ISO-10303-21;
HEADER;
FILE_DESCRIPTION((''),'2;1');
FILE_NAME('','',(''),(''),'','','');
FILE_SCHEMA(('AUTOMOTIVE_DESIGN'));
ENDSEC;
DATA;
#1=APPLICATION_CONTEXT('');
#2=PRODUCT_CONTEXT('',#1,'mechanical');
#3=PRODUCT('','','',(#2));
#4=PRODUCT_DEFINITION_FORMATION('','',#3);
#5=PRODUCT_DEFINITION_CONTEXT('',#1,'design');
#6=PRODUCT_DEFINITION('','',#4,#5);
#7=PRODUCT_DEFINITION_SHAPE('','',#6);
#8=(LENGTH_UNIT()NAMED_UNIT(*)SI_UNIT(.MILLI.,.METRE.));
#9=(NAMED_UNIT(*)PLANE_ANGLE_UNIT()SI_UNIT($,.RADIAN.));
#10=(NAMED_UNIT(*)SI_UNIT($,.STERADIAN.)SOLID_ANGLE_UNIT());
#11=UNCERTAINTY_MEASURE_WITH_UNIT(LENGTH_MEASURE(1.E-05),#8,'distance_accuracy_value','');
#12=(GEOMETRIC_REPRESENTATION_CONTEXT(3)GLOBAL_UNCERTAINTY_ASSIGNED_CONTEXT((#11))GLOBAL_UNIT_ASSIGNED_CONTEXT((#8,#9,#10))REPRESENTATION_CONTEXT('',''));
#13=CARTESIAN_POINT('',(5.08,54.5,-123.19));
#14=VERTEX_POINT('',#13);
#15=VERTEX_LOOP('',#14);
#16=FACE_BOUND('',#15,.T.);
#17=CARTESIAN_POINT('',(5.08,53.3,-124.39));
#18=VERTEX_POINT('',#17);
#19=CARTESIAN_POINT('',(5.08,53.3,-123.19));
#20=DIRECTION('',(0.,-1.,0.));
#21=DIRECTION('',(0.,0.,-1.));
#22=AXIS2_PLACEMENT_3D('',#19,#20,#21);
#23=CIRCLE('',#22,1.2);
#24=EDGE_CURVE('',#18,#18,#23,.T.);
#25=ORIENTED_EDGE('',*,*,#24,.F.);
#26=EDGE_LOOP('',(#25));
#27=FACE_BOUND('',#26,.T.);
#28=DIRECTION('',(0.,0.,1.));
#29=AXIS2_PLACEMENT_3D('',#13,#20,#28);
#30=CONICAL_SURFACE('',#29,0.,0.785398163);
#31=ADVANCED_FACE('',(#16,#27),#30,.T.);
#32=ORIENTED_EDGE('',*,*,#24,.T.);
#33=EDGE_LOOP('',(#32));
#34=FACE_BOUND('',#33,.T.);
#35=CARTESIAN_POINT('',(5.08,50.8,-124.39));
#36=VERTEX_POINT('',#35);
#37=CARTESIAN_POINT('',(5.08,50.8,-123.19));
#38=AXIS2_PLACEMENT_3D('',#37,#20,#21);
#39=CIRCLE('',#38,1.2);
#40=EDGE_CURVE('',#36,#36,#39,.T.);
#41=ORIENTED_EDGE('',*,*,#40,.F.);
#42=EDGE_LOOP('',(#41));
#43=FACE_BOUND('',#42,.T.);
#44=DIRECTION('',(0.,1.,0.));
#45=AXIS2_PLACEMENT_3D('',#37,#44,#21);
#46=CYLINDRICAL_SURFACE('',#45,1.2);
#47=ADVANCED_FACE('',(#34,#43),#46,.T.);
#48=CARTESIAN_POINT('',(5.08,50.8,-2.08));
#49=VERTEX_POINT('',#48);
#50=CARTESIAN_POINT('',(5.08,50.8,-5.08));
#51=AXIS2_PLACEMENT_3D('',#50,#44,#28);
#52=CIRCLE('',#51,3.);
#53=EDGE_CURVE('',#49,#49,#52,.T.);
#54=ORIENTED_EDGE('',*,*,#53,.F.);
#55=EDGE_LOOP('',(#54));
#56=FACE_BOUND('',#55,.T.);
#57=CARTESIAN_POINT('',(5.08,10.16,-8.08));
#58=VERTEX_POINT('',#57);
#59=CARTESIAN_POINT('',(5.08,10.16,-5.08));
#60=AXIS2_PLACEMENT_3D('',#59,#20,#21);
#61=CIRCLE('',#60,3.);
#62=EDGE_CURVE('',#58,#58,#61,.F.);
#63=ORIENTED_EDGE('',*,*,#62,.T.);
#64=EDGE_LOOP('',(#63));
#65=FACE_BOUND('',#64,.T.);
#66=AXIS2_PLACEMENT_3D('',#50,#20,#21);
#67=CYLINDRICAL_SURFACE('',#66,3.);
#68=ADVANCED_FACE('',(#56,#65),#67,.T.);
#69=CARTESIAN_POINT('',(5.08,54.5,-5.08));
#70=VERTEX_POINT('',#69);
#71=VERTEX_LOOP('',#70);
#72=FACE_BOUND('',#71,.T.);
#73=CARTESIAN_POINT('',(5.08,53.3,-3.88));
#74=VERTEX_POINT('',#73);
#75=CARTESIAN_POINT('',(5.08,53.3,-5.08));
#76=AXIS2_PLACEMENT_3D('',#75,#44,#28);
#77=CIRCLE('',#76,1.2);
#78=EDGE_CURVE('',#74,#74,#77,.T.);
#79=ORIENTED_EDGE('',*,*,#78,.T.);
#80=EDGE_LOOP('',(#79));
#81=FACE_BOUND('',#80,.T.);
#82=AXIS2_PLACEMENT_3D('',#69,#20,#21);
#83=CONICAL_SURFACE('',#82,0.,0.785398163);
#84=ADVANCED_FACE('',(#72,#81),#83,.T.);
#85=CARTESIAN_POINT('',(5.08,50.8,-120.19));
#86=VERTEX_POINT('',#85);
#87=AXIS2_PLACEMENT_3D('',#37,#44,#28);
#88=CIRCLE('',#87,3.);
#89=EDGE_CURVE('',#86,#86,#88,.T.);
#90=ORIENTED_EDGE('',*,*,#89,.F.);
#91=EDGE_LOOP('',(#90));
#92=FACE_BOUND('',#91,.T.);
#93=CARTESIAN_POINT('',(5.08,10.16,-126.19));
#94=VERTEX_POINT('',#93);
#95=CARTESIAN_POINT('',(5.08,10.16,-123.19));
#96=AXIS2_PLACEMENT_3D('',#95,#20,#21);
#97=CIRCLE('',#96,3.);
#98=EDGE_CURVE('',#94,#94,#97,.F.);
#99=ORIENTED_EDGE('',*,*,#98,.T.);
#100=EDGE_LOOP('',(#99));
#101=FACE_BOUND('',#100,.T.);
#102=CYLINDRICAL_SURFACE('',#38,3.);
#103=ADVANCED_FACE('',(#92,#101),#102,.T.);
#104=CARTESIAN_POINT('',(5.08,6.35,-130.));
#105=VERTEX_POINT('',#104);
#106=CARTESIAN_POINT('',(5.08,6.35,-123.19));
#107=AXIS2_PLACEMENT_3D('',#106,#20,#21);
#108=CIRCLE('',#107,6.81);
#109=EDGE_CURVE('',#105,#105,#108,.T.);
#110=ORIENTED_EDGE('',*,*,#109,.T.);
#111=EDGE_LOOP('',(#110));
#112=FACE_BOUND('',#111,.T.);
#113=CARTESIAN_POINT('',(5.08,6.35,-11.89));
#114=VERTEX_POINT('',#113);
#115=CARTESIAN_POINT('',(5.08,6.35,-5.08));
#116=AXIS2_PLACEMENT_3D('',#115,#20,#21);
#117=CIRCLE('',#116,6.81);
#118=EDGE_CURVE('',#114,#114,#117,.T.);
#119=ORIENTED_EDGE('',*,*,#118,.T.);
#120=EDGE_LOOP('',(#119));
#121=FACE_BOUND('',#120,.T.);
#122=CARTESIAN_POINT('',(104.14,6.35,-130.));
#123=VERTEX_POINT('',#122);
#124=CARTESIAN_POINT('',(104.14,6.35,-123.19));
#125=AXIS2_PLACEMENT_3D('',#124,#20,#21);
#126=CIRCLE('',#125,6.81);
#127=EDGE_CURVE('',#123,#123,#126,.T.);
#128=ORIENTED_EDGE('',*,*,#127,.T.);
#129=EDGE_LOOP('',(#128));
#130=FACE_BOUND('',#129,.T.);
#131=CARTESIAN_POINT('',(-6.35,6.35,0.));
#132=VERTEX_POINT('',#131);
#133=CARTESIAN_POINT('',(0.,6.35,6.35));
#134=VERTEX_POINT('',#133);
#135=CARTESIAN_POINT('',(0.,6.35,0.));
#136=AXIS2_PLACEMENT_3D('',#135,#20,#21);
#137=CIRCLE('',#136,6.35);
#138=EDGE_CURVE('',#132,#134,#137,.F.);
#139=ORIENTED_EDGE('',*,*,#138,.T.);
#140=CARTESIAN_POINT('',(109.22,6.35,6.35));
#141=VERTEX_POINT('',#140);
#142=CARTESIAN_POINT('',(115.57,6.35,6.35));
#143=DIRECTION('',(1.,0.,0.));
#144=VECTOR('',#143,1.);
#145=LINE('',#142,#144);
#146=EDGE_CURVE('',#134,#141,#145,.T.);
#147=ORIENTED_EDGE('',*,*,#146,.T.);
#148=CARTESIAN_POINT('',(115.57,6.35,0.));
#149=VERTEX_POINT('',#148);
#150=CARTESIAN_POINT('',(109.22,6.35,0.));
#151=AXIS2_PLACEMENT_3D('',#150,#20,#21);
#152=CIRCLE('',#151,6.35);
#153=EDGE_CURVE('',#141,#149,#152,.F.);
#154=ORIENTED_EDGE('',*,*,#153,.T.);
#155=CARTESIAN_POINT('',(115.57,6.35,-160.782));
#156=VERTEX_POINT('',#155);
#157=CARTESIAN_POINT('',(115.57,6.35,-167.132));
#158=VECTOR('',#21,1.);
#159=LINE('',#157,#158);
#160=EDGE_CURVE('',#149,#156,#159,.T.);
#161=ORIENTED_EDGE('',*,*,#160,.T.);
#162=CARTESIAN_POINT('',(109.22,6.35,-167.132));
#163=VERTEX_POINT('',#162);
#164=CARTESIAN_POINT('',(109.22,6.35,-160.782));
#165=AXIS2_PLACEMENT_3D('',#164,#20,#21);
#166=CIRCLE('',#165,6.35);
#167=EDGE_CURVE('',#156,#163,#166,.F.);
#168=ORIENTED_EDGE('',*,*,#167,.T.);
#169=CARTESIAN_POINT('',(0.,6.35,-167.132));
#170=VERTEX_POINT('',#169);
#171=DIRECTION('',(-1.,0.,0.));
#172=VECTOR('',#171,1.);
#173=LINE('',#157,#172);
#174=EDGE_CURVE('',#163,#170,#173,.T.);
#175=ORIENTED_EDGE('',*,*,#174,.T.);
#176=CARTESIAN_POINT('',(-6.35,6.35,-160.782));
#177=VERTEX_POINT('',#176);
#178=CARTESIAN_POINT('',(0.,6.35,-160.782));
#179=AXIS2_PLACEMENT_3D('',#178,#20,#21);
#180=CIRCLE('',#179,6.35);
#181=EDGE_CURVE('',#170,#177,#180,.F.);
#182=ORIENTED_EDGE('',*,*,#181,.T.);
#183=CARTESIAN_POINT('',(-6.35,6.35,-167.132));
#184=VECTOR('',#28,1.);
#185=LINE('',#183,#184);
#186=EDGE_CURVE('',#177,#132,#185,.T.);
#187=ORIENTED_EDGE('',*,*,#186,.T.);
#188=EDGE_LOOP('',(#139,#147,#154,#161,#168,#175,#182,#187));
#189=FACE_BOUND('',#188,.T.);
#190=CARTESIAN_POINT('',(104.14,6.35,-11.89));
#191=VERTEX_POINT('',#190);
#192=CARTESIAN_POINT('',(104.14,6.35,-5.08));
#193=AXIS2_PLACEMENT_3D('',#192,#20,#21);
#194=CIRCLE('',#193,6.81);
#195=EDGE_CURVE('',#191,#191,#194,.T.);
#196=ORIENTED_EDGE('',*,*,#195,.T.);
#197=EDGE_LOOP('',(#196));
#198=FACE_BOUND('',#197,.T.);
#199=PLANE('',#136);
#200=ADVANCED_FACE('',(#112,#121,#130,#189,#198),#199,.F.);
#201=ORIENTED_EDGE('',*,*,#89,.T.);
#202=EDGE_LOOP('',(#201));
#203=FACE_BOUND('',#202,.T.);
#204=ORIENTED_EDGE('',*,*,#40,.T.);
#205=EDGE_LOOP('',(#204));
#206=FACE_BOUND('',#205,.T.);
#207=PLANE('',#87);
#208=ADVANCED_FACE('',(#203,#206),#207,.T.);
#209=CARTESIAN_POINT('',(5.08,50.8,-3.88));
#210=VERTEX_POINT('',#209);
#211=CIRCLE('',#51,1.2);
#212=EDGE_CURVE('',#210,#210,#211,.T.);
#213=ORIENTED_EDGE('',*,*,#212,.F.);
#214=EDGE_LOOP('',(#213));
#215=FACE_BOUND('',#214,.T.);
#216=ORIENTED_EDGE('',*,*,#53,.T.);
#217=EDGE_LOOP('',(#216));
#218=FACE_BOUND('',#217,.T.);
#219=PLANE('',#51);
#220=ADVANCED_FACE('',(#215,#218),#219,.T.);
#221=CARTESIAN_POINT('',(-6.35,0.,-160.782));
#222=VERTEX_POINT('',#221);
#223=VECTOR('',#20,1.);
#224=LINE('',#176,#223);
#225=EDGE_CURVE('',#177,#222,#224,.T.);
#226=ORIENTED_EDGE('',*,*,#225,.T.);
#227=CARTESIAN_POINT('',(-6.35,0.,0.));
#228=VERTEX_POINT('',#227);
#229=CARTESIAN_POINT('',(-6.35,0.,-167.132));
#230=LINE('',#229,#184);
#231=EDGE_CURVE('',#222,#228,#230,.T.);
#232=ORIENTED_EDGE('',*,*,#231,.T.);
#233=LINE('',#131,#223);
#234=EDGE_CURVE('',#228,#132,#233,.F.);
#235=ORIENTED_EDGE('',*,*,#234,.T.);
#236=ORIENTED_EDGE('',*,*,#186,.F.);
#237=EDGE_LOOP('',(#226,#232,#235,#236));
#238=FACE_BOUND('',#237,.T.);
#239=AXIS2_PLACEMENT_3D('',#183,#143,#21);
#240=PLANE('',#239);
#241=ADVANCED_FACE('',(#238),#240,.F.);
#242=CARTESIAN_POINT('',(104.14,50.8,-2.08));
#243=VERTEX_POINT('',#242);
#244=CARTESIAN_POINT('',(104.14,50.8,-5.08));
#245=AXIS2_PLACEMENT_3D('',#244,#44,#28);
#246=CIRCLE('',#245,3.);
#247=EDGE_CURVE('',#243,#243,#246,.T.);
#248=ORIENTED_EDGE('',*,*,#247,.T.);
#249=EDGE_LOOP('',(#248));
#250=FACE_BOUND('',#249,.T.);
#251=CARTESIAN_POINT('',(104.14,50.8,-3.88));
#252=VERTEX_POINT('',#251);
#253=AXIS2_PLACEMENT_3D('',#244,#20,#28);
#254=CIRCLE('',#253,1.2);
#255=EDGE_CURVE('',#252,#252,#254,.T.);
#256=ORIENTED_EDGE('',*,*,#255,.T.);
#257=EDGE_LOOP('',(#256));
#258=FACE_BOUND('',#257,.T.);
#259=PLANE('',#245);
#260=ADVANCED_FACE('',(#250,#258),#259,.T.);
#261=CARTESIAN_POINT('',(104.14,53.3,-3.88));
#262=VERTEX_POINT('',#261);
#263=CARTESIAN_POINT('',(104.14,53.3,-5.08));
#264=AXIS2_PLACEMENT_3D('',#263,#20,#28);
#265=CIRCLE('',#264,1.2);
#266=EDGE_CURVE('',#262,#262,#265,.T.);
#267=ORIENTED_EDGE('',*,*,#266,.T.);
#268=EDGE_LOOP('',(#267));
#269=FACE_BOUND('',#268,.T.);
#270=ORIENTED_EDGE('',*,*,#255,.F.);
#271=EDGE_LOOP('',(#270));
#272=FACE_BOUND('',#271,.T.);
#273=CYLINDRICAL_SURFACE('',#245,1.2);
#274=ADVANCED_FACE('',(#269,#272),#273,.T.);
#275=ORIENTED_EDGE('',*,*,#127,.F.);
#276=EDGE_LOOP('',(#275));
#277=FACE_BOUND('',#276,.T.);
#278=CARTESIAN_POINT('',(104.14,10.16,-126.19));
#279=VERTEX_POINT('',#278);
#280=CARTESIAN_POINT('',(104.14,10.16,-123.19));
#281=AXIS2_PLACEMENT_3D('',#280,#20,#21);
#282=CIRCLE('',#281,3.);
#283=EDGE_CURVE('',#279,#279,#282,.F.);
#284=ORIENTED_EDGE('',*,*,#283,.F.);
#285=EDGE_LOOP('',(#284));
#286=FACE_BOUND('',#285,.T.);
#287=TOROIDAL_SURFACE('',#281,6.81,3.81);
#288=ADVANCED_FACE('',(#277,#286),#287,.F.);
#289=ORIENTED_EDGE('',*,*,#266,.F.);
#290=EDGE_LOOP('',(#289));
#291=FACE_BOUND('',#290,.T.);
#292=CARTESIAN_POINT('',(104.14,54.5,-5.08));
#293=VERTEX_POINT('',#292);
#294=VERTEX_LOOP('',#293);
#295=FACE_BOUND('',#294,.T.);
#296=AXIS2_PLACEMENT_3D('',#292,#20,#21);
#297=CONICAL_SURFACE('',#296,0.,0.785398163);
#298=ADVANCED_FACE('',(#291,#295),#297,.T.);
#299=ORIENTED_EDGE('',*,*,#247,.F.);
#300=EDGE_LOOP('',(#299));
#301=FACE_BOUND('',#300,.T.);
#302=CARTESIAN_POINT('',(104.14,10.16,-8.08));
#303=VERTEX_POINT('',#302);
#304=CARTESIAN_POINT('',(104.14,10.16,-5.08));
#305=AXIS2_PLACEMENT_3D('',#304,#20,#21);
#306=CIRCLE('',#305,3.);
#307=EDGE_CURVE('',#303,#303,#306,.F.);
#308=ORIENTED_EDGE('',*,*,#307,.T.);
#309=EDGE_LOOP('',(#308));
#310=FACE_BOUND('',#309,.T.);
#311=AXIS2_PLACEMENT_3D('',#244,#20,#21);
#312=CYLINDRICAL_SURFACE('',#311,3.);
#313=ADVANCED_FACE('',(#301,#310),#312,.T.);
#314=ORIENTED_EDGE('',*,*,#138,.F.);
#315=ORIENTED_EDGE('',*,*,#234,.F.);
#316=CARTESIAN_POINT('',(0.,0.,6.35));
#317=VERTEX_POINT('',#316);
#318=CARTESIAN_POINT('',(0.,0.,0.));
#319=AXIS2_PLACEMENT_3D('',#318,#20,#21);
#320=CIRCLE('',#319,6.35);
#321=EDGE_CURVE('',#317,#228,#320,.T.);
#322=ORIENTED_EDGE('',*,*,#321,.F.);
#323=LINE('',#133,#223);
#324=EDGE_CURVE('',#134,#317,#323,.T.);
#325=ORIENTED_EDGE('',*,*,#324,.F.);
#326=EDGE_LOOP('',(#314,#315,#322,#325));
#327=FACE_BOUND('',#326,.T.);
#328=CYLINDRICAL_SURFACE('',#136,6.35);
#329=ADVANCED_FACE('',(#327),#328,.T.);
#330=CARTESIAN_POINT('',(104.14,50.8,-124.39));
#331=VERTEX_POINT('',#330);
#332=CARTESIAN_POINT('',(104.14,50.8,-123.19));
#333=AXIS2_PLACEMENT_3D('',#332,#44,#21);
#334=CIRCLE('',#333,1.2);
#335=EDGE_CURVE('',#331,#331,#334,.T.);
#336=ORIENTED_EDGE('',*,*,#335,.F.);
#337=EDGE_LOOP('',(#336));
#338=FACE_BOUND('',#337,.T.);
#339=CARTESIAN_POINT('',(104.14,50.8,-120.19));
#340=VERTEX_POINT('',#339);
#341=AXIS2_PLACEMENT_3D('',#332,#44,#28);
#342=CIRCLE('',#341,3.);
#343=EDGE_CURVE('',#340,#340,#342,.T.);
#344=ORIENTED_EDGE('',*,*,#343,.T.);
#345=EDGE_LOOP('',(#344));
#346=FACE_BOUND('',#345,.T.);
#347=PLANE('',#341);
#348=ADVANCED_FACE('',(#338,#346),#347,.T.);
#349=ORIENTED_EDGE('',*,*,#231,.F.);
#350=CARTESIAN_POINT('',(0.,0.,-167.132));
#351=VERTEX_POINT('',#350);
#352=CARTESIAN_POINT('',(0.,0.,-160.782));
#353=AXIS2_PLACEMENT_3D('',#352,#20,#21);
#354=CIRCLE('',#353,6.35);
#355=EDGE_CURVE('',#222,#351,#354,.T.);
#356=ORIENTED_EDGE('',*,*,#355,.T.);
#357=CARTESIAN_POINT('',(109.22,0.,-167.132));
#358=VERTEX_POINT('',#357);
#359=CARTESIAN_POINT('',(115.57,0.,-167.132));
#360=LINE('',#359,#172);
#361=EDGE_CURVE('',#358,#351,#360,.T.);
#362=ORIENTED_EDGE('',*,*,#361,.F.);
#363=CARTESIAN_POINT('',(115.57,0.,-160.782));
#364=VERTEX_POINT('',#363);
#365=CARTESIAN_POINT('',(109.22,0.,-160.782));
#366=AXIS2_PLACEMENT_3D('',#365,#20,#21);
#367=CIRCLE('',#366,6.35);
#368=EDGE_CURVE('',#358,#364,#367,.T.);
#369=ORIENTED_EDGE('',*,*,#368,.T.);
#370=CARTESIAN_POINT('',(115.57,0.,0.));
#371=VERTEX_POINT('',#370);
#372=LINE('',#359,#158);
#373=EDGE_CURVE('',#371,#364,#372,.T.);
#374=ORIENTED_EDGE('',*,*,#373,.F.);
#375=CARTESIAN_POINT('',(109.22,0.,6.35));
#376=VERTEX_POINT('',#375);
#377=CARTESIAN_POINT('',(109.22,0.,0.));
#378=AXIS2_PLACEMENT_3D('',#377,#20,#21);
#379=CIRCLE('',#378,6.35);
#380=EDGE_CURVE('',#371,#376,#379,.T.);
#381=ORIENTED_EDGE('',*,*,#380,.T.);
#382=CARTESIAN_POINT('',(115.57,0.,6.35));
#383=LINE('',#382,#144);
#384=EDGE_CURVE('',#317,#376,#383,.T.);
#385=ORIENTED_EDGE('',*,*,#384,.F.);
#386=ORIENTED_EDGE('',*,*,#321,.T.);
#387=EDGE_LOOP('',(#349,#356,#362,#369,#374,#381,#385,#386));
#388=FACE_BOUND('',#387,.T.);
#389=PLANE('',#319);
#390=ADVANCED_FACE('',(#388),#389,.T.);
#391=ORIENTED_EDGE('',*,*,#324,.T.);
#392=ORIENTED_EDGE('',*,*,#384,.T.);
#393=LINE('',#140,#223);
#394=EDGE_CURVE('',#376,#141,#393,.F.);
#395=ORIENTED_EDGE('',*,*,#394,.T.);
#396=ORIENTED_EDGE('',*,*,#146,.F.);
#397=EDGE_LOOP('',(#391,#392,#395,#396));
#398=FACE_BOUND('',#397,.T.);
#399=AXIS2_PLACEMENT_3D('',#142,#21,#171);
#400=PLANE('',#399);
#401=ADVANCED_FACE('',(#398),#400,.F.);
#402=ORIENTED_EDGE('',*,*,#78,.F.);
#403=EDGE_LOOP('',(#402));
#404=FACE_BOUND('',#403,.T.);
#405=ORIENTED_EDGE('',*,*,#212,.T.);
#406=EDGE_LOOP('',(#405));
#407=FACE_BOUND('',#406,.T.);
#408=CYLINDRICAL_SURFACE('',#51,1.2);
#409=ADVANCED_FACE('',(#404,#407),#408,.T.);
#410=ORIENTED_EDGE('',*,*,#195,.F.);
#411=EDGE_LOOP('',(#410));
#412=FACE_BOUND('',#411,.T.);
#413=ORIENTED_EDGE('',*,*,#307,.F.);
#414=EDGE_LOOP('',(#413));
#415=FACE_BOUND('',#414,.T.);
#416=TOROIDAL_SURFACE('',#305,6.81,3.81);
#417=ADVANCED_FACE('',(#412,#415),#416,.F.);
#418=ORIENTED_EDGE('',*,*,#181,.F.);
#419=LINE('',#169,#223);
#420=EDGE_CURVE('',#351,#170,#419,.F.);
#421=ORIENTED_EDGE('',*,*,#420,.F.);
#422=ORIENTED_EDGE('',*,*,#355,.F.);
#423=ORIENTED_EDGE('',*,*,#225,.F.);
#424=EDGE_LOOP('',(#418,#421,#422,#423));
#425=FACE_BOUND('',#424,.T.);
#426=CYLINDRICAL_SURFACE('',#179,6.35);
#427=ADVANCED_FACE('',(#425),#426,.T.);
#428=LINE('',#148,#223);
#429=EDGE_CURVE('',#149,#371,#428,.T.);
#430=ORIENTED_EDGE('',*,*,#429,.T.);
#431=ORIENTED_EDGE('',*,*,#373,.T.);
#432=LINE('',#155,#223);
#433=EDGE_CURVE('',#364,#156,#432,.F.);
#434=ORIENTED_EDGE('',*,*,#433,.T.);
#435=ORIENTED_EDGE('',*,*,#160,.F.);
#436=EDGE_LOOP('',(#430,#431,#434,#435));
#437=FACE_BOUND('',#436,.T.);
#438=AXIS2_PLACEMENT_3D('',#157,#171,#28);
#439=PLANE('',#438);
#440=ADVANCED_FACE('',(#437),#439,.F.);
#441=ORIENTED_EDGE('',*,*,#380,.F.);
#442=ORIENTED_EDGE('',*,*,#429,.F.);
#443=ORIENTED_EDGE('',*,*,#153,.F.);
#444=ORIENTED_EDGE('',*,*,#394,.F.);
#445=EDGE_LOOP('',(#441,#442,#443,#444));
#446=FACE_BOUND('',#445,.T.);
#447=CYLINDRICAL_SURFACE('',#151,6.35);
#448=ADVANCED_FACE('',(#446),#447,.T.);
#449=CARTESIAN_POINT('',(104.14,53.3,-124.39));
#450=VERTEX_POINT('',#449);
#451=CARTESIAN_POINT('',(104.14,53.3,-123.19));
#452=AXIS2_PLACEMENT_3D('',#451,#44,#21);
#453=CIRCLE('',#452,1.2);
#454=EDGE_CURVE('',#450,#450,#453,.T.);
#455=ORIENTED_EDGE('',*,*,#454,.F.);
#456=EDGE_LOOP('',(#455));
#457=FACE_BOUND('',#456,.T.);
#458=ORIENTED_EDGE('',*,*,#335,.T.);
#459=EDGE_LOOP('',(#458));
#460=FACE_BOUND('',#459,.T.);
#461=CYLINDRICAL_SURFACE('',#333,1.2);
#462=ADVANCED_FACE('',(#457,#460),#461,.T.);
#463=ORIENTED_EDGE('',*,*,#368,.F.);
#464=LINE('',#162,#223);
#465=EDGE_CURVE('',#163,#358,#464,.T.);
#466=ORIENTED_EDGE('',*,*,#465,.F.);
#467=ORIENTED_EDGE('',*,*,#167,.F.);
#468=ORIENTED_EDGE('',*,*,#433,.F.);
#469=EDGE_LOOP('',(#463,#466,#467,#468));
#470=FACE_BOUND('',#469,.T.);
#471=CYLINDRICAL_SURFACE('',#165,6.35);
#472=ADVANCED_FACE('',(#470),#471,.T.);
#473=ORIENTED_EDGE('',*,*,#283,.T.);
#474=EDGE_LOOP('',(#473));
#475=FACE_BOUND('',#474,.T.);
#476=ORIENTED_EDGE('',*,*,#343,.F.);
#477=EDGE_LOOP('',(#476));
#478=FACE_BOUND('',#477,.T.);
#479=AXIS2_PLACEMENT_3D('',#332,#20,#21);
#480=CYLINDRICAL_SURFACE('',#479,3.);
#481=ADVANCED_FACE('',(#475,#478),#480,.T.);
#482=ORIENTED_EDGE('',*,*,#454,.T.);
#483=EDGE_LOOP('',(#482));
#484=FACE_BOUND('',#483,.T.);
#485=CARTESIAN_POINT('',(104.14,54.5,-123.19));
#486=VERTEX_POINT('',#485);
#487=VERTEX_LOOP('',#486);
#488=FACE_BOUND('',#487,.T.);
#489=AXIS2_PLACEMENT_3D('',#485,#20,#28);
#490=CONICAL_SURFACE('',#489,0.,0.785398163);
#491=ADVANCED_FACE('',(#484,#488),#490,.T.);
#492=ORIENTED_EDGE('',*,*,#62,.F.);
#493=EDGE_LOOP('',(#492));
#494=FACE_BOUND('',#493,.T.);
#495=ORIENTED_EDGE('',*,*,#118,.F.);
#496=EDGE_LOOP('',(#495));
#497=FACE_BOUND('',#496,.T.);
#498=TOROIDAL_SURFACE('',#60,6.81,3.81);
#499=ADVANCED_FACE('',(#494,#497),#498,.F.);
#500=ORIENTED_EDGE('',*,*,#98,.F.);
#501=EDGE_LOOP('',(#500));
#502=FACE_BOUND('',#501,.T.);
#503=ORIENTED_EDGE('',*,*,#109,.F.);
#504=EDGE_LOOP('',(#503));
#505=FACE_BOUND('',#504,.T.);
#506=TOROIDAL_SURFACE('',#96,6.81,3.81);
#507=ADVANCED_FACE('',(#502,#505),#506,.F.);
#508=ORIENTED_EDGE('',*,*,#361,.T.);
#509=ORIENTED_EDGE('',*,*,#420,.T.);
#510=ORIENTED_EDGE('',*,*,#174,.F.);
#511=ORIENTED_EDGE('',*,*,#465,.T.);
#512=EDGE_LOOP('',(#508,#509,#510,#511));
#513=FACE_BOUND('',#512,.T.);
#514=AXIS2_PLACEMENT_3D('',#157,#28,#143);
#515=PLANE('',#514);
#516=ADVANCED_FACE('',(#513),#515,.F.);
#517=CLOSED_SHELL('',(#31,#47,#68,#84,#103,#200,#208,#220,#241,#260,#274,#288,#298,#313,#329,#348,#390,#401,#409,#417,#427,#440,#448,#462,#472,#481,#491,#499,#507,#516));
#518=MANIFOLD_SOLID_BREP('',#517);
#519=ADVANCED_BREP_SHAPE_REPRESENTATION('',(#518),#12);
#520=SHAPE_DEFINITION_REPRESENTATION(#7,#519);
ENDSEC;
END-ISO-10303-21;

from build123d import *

# Parameters (mm, degrees)
SKETCH1_W           = 121.92
SKETCH1_H           = 173.482
BOSS_EXTRUDE1_DEPTH = 6.35
SKETCH2_R           = 3
BOSS_EXTRUDE2_DEPTH = 44.45
FILLET1_R           = 6.35
FILLET2_R           = 3.81


with BuildPart() as part:
    # Sketch1 → Boss-Extrude1 (new body)
    with BuildSketch(Plane(origin=(0, 0, 0), x_dir=(1, 0, 0), z_dir=(0, 1, 0))):
        with Locations((54.61, 80.391)):
            Rectangle(SKETCH1_W, SKETCH1_H)
    extrude(amount=BOSS_EXTRUDE1_DEPTH)

    # Sketch2 → Boss-Extrude2 (add)
    with BuildSketch(Plane(origin=(0, 6.35, 0), x_dir=(1, 0, 0), z_dir=(0, 1, 0))):
        with Locations((104.14, 5.08)):
            Circle(SKETCH2_R)
        with Locations((104.14, 123.19)):
            Circle(SKETCH2_R)
        with Locations((5.08, 123.19)):
            Circle(SKETCH2_R)
        with Locations((5.08, 5.08)):
            Circle(SKETCH2_R)
    extrude(amount=BOSS_EXTRUDE2_DEPTH)

    # Fillet1
    fillet1_edges = [part.edges().sort_by_distance(p)[0] for p in [
        (-6.35, 3.175, -167.132),
        (115.57, 3.175, -167.132),
        (115.57, 3.175, 6.35),
        (-6.35, 3.175, 6.35),
    ]]
    fillet(fillet1_edges, radius=FILLET1_R)

    # Fillet2
    fillet2_edges = [part.edges().sort_by_distance(p)[0] for p in [
        (101.14, 6.35, -5.08),
        (101.14, 6.35, -123.19),
        (2.08, 6.35, -123.19),
        (2.08, 6.35, -5.08),
    ]]
    fillet(fillet2_edges, radius=FILLET2_R)

    # Sketch3 → Revolve1 (revolve)
    with BuildSketch(Plane.XY.offset(-5.08)):
        Polygon((3.880000114, 50.8), (5.08, 50.8), (5.08, 54.499999886), (3.880000114, 53.3), align=None)
    revolve1 = revolve(axis=Axis((5.08, 50.8, -5.08), (0, -1, 0)))

    # Mirror1: Revolve1 across plane
    add(revolve1.mirror(Plane.XY.offset(-64.135)))

    # Mirror2: Revolve1 across plane
    add(revolve1.mirror(Plane.ZY.offset(-54.61)))

    # Mirror2 copy 1 sketch → Mirror2 copy 1 (revolve)
    with BuildSketch(Plane(origin=(109.22, 0, -123.19), x_dir=(-1, 0, 0), z_dir=(0, 0, -1))):
        Polygon((3.880000114, 50.8), (5.08, 50.8), (5.08, 54.499999886), (3.880000114, 53.3), align=None)
    revolve(axis=Axis((104.14, 50.8, -123.19), (0, -1, 0)))


solid = part.part
